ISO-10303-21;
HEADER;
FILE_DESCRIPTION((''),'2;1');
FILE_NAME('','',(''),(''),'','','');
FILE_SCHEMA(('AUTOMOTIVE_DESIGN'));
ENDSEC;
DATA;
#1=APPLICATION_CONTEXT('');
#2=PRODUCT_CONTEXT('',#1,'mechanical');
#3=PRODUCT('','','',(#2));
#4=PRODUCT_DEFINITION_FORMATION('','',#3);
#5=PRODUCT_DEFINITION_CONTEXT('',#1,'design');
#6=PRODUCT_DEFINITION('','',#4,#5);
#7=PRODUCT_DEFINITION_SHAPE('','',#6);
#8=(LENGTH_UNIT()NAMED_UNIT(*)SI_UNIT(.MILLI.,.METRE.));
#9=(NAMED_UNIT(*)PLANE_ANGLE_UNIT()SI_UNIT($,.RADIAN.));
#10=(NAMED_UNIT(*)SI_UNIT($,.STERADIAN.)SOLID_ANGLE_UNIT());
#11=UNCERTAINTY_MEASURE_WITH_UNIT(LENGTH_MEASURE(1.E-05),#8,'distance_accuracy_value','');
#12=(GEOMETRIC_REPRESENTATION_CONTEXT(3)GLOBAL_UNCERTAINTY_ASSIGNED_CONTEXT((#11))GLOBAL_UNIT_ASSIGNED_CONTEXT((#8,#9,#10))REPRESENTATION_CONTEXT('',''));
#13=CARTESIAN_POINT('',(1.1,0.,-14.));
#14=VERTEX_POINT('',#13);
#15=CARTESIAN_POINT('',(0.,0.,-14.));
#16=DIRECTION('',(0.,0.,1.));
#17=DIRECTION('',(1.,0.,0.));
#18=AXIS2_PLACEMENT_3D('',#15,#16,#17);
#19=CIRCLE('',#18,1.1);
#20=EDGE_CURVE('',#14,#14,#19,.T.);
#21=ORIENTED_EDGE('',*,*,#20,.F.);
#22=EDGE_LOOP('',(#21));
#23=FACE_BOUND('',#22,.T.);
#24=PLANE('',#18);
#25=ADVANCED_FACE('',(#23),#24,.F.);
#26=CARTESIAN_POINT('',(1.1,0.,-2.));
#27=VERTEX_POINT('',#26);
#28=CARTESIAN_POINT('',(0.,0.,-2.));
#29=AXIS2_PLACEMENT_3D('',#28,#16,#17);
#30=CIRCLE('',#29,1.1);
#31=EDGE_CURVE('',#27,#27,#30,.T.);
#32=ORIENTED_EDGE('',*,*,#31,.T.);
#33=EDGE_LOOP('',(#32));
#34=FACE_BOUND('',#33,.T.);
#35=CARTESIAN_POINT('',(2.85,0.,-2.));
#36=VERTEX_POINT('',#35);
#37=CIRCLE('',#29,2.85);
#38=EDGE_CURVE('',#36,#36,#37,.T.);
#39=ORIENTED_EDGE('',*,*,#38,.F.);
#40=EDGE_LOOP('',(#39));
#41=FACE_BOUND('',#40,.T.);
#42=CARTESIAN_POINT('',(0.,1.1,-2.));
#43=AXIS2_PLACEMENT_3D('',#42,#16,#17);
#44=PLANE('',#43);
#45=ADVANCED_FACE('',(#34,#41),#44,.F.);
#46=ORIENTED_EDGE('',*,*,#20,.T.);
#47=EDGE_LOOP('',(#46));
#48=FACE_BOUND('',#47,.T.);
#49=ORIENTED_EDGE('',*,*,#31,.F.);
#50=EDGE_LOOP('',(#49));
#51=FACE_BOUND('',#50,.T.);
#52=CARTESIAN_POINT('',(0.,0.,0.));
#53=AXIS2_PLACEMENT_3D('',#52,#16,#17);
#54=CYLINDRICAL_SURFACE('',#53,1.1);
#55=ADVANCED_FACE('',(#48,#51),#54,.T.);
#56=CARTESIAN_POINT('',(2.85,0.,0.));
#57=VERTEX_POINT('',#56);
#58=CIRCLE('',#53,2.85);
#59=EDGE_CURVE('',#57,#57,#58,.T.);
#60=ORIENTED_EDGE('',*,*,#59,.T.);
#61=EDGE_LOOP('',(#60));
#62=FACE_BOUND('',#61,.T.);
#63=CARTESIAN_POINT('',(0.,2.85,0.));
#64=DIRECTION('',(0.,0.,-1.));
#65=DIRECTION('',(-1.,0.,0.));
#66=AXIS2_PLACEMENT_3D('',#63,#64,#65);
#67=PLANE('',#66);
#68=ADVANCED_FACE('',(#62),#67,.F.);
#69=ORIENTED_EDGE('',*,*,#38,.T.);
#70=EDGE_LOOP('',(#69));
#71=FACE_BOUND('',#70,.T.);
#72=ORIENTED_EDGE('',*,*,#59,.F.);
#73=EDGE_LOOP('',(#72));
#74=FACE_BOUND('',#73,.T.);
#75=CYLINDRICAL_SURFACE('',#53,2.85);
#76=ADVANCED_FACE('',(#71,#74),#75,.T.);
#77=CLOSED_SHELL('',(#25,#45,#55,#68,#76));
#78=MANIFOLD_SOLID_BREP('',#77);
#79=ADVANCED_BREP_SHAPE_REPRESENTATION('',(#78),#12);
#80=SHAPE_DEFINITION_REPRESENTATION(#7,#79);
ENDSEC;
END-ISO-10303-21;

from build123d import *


with BuildPart() as part:
    # Skizze1 → Rotation1 (revolve)
    with BuildSketch(Plane(origin=(0, 0, 0), x_dir=(0, 0, -1), z_dir=(1, 0, 0))):
        Polygon((0, 0), (14, 0), (14, 1.1), (2, 1.1), (2, 2.85), (0, 2.85), align=None)
    revolve(axis=Axis((0, 0, 0), (0, 0, -1)))


solid = part.part
